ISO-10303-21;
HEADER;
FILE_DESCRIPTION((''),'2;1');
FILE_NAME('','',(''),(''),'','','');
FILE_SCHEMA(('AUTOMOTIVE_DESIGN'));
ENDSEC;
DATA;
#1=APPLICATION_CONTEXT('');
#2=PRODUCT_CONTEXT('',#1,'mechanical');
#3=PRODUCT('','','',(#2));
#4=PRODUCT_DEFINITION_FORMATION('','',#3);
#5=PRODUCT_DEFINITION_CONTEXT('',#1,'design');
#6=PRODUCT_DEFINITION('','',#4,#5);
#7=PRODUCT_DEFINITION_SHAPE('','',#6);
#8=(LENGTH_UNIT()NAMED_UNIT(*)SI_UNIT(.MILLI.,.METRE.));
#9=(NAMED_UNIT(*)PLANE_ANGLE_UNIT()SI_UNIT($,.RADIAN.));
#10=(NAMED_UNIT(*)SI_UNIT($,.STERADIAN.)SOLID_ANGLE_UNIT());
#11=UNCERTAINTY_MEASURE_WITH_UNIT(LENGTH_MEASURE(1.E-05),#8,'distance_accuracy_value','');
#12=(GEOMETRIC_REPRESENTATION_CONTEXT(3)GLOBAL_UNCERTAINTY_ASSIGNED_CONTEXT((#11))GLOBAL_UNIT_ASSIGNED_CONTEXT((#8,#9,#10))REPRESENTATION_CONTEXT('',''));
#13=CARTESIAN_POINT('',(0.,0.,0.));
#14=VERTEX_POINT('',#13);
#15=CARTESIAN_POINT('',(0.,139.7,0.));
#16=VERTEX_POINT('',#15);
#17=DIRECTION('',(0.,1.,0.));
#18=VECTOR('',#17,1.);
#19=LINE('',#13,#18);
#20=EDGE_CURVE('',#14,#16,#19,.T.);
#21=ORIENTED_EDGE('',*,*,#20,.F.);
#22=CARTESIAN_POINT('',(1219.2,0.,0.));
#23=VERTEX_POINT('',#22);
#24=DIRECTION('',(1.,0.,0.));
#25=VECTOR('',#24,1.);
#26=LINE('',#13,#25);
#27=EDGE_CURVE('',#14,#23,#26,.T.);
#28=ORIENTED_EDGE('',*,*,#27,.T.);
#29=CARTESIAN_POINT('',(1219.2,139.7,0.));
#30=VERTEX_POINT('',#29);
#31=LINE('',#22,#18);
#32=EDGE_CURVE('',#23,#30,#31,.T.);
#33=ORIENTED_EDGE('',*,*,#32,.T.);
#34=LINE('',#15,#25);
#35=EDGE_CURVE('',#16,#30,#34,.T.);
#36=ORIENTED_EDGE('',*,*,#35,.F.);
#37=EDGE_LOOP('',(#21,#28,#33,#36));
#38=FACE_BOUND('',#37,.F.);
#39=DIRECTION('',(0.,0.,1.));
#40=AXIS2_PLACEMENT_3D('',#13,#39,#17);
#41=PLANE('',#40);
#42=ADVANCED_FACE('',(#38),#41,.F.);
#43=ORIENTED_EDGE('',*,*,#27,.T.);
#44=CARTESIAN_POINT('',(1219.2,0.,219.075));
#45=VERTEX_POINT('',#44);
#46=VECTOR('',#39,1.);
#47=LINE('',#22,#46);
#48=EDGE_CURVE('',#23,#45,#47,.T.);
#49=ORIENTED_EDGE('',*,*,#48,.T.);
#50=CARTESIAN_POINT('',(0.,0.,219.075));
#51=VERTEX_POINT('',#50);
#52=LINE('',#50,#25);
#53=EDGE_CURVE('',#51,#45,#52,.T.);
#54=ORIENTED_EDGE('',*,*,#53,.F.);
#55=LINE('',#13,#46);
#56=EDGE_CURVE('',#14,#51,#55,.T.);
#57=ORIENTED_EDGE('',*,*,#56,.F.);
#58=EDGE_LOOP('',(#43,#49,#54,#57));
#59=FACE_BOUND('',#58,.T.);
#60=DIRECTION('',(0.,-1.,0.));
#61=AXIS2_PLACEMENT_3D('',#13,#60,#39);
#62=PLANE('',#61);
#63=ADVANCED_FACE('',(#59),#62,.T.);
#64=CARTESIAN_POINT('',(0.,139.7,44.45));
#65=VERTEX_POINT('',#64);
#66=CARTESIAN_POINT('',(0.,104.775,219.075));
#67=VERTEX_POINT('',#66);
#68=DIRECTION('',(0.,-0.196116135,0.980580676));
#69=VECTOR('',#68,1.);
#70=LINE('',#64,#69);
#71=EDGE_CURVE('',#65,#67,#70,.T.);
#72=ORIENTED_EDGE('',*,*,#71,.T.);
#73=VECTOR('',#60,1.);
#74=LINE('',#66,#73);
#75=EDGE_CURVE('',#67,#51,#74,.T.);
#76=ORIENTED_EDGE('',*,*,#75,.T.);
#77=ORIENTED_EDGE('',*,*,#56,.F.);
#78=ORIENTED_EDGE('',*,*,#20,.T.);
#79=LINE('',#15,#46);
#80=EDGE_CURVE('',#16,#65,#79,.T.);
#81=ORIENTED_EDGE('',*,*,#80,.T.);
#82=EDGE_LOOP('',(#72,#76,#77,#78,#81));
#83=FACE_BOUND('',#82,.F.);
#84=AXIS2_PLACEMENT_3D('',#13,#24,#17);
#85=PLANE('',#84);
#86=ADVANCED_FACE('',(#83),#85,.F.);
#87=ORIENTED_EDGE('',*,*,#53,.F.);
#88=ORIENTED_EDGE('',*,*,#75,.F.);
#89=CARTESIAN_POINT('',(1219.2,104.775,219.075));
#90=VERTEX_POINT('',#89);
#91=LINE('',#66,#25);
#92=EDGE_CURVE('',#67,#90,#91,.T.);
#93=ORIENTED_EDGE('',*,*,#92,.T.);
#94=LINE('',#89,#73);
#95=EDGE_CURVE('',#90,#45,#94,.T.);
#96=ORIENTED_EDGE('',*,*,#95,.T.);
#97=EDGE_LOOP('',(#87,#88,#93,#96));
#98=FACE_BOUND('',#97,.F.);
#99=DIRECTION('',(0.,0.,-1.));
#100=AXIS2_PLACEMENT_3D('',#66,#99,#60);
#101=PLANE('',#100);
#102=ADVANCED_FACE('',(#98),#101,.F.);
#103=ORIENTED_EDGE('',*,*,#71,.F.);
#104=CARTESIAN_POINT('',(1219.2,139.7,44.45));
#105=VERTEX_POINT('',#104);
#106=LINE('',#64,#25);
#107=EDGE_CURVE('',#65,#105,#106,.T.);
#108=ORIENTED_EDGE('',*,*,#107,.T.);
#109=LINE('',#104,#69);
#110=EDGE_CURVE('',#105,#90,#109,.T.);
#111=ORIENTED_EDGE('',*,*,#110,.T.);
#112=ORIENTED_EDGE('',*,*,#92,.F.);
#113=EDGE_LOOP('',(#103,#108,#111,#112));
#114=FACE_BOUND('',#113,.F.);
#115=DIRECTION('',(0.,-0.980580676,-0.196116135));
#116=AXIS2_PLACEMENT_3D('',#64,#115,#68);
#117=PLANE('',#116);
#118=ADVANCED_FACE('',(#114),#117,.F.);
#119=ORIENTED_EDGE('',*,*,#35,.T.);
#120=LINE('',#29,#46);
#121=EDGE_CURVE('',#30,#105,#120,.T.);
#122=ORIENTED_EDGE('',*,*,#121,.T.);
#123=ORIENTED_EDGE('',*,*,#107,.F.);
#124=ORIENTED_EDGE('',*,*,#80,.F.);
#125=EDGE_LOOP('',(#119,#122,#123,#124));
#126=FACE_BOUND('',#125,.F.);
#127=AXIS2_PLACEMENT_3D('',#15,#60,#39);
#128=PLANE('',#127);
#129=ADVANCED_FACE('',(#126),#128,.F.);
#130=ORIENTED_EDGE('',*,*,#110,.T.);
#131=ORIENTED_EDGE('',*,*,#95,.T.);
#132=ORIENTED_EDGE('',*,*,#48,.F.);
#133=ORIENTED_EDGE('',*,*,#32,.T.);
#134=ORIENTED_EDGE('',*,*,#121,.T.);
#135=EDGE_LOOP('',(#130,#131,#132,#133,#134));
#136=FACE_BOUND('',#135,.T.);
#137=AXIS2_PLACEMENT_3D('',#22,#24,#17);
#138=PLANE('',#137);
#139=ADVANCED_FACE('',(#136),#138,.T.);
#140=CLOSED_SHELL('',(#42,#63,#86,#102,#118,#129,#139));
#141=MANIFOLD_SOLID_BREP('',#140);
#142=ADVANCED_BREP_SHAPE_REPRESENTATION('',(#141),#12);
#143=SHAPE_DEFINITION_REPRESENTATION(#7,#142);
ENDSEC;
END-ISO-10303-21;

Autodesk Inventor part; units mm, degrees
ref_plane "YZ Plane" through (0, 0, 0) normal (1, 0, 0) x (0, 1, 0)
ref_plane "XZ Plane" through (0, 0, 0) normal (0, 1, 0) x (-1, 0, 0)
ref_plane "XY Plane" through (0, 0, 0) normal (0, 0, 1) x (1, 0, 0)
sketch "Sketch2" plane through (0, 0, 0) normal (1, 0, 0) x (0, 1, 0)
  line L0 (0, 0) -> (0, 219.075)
  line L1 (0, 0) -> (139.7, 0)
  line L2 (139.7, 0) -> (139.7, 44.45)
  line L3 (139.7, 44.45) -> (104.775, 219.075)
  line L4 (104.775, 219.075) -> (0, 219.075)
  dimension "d3" = 219.075
  dimension "d4" = 139.7
  dimension "d5" = 44.45
  dimension "d6" = 34.925
  dimension "d7" = 104.775
extrude "Extrusion1" add sketch "Sketch2" along normal blind 1219.2
properties part number "WDW_sill"
